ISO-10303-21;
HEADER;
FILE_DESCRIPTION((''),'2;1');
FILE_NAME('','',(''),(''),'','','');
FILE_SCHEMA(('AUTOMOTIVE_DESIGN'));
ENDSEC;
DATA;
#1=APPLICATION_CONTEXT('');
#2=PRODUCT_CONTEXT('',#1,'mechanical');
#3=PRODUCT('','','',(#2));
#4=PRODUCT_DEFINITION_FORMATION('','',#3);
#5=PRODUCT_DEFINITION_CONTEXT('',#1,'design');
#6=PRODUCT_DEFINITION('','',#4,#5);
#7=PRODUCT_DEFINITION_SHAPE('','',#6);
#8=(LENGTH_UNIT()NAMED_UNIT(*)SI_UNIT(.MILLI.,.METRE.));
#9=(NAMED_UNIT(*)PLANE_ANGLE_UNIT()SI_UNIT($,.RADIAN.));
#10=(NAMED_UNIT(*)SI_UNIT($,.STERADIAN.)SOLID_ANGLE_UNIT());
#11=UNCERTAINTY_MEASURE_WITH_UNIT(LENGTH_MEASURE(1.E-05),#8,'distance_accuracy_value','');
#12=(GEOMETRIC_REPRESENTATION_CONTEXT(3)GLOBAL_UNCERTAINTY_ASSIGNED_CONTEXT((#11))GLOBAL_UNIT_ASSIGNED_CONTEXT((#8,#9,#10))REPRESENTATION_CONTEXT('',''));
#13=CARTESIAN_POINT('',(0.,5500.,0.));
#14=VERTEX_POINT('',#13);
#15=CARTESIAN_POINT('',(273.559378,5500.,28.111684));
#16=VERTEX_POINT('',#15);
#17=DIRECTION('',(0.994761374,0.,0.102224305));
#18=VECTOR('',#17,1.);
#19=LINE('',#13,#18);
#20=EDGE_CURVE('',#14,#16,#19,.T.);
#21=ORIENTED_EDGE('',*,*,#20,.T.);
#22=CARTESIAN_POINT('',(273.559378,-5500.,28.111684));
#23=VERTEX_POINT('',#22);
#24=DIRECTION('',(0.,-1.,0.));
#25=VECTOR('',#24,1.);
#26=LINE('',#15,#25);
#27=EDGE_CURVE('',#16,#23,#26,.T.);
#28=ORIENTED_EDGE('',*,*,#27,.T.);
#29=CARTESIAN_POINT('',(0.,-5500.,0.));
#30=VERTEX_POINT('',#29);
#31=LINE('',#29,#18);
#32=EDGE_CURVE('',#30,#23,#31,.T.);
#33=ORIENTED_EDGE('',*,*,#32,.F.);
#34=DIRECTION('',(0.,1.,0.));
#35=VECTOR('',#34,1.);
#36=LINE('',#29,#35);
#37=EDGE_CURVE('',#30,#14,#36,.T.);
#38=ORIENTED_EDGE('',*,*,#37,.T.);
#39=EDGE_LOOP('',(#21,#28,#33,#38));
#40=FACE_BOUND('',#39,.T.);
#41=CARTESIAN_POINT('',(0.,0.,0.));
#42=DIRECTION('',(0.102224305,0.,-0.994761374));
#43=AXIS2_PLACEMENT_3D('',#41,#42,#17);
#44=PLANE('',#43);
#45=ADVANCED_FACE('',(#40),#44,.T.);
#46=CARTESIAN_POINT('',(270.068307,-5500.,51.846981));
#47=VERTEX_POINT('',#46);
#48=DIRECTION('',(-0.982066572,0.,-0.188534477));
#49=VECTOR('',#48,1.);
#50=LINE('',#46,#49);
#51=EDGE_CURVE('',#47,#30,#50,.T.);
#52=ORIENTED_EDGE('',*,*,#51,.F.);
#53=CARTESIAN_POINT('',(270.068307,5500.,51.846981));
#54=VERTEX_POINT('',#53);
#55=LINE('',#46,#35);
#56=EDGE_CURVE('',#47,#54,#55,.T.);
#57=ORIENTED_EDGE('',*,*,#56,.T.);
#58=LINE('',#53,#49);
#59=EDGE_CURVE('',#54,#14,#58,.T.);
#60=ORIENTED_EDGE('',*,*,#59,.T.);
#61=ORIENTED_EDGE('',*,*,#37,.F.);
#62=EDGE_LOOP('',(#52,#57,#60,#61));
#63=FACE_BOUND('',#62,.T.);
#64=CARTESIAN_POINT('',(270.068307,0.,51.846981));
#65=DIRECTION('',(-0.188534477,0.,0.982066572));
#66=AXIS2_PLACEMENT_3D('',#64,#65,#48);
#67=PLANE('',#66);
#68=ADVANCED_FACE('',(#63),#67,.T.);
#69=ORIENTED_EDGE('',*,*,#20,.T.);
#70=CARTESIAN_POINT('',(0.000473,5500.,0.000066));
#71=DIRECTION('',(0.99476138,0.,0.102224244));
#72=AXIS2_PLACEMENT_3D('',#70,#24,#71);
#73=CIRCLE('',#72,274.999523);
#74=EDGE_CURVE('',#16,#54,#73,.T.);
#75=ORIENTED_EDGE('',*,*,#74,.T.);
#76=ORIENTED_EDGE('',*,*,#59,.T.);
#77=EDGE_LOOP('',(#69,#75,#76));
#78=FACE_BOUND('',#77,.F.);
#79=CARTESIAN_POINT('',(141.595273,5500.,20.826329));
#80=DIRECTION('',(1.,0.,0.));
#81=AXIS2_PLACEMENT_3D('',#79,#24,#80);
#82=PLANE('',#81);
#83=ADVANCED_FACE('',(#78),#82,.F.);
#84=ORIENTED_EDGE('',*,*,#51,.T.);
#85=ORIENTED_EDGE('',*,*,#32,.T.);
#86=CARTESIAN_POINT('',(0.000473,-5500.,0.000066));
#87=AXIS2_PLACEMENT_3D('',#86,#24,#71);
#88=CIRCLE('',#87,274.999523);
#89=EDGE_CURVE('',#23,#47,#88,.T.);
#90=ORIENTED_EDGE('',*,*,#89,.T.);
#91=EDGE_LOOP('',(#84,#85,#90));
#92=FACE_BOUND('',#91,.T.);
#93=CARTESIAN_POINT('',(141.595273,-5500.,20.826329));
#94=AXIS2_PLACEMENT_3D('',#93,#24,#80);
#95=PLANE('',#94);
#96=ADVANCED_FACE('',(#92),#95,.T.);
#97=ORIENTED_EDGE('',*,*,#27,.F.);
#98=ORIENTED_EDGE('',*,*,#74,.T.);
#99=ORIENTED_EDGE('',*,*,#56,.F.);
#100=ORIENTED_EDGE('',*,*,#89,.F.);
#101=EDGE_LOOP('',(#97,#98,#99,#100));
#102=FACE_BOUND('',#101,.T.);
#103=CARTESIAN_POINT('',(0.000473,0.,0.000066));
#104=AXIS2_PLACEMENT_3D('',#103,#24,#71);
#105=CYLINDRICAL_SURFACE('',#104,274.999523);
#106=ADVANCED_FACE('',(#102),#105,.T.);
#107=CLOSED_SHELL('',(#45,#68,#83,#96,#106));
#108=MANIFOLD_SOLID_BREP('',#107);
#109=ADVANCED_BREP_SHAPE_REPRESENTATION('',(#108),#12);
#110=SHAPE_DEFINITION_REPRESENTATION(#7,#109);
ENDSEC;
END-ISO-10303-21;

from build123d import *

# Parameters (mm, degrees)
F1_DEPTH = 5500


with BuildPart() as f1:
    # F0 (on Front) → F1 (new body, symmetric)
    with BuildSketch(Plane.XZ):
        with BuildLine():
            Line((0, 0), (273.559378, 28.111684))
            ThreePointArc((273.559378, 28.111684), (272.072796, 40.01742), (270.068307, 51.846981))
            Line((270.068307, 51.846981), (0, 0))
        make_face()
    extrude(amount=F1_DEPTH, both=True)


solid = f1.part
